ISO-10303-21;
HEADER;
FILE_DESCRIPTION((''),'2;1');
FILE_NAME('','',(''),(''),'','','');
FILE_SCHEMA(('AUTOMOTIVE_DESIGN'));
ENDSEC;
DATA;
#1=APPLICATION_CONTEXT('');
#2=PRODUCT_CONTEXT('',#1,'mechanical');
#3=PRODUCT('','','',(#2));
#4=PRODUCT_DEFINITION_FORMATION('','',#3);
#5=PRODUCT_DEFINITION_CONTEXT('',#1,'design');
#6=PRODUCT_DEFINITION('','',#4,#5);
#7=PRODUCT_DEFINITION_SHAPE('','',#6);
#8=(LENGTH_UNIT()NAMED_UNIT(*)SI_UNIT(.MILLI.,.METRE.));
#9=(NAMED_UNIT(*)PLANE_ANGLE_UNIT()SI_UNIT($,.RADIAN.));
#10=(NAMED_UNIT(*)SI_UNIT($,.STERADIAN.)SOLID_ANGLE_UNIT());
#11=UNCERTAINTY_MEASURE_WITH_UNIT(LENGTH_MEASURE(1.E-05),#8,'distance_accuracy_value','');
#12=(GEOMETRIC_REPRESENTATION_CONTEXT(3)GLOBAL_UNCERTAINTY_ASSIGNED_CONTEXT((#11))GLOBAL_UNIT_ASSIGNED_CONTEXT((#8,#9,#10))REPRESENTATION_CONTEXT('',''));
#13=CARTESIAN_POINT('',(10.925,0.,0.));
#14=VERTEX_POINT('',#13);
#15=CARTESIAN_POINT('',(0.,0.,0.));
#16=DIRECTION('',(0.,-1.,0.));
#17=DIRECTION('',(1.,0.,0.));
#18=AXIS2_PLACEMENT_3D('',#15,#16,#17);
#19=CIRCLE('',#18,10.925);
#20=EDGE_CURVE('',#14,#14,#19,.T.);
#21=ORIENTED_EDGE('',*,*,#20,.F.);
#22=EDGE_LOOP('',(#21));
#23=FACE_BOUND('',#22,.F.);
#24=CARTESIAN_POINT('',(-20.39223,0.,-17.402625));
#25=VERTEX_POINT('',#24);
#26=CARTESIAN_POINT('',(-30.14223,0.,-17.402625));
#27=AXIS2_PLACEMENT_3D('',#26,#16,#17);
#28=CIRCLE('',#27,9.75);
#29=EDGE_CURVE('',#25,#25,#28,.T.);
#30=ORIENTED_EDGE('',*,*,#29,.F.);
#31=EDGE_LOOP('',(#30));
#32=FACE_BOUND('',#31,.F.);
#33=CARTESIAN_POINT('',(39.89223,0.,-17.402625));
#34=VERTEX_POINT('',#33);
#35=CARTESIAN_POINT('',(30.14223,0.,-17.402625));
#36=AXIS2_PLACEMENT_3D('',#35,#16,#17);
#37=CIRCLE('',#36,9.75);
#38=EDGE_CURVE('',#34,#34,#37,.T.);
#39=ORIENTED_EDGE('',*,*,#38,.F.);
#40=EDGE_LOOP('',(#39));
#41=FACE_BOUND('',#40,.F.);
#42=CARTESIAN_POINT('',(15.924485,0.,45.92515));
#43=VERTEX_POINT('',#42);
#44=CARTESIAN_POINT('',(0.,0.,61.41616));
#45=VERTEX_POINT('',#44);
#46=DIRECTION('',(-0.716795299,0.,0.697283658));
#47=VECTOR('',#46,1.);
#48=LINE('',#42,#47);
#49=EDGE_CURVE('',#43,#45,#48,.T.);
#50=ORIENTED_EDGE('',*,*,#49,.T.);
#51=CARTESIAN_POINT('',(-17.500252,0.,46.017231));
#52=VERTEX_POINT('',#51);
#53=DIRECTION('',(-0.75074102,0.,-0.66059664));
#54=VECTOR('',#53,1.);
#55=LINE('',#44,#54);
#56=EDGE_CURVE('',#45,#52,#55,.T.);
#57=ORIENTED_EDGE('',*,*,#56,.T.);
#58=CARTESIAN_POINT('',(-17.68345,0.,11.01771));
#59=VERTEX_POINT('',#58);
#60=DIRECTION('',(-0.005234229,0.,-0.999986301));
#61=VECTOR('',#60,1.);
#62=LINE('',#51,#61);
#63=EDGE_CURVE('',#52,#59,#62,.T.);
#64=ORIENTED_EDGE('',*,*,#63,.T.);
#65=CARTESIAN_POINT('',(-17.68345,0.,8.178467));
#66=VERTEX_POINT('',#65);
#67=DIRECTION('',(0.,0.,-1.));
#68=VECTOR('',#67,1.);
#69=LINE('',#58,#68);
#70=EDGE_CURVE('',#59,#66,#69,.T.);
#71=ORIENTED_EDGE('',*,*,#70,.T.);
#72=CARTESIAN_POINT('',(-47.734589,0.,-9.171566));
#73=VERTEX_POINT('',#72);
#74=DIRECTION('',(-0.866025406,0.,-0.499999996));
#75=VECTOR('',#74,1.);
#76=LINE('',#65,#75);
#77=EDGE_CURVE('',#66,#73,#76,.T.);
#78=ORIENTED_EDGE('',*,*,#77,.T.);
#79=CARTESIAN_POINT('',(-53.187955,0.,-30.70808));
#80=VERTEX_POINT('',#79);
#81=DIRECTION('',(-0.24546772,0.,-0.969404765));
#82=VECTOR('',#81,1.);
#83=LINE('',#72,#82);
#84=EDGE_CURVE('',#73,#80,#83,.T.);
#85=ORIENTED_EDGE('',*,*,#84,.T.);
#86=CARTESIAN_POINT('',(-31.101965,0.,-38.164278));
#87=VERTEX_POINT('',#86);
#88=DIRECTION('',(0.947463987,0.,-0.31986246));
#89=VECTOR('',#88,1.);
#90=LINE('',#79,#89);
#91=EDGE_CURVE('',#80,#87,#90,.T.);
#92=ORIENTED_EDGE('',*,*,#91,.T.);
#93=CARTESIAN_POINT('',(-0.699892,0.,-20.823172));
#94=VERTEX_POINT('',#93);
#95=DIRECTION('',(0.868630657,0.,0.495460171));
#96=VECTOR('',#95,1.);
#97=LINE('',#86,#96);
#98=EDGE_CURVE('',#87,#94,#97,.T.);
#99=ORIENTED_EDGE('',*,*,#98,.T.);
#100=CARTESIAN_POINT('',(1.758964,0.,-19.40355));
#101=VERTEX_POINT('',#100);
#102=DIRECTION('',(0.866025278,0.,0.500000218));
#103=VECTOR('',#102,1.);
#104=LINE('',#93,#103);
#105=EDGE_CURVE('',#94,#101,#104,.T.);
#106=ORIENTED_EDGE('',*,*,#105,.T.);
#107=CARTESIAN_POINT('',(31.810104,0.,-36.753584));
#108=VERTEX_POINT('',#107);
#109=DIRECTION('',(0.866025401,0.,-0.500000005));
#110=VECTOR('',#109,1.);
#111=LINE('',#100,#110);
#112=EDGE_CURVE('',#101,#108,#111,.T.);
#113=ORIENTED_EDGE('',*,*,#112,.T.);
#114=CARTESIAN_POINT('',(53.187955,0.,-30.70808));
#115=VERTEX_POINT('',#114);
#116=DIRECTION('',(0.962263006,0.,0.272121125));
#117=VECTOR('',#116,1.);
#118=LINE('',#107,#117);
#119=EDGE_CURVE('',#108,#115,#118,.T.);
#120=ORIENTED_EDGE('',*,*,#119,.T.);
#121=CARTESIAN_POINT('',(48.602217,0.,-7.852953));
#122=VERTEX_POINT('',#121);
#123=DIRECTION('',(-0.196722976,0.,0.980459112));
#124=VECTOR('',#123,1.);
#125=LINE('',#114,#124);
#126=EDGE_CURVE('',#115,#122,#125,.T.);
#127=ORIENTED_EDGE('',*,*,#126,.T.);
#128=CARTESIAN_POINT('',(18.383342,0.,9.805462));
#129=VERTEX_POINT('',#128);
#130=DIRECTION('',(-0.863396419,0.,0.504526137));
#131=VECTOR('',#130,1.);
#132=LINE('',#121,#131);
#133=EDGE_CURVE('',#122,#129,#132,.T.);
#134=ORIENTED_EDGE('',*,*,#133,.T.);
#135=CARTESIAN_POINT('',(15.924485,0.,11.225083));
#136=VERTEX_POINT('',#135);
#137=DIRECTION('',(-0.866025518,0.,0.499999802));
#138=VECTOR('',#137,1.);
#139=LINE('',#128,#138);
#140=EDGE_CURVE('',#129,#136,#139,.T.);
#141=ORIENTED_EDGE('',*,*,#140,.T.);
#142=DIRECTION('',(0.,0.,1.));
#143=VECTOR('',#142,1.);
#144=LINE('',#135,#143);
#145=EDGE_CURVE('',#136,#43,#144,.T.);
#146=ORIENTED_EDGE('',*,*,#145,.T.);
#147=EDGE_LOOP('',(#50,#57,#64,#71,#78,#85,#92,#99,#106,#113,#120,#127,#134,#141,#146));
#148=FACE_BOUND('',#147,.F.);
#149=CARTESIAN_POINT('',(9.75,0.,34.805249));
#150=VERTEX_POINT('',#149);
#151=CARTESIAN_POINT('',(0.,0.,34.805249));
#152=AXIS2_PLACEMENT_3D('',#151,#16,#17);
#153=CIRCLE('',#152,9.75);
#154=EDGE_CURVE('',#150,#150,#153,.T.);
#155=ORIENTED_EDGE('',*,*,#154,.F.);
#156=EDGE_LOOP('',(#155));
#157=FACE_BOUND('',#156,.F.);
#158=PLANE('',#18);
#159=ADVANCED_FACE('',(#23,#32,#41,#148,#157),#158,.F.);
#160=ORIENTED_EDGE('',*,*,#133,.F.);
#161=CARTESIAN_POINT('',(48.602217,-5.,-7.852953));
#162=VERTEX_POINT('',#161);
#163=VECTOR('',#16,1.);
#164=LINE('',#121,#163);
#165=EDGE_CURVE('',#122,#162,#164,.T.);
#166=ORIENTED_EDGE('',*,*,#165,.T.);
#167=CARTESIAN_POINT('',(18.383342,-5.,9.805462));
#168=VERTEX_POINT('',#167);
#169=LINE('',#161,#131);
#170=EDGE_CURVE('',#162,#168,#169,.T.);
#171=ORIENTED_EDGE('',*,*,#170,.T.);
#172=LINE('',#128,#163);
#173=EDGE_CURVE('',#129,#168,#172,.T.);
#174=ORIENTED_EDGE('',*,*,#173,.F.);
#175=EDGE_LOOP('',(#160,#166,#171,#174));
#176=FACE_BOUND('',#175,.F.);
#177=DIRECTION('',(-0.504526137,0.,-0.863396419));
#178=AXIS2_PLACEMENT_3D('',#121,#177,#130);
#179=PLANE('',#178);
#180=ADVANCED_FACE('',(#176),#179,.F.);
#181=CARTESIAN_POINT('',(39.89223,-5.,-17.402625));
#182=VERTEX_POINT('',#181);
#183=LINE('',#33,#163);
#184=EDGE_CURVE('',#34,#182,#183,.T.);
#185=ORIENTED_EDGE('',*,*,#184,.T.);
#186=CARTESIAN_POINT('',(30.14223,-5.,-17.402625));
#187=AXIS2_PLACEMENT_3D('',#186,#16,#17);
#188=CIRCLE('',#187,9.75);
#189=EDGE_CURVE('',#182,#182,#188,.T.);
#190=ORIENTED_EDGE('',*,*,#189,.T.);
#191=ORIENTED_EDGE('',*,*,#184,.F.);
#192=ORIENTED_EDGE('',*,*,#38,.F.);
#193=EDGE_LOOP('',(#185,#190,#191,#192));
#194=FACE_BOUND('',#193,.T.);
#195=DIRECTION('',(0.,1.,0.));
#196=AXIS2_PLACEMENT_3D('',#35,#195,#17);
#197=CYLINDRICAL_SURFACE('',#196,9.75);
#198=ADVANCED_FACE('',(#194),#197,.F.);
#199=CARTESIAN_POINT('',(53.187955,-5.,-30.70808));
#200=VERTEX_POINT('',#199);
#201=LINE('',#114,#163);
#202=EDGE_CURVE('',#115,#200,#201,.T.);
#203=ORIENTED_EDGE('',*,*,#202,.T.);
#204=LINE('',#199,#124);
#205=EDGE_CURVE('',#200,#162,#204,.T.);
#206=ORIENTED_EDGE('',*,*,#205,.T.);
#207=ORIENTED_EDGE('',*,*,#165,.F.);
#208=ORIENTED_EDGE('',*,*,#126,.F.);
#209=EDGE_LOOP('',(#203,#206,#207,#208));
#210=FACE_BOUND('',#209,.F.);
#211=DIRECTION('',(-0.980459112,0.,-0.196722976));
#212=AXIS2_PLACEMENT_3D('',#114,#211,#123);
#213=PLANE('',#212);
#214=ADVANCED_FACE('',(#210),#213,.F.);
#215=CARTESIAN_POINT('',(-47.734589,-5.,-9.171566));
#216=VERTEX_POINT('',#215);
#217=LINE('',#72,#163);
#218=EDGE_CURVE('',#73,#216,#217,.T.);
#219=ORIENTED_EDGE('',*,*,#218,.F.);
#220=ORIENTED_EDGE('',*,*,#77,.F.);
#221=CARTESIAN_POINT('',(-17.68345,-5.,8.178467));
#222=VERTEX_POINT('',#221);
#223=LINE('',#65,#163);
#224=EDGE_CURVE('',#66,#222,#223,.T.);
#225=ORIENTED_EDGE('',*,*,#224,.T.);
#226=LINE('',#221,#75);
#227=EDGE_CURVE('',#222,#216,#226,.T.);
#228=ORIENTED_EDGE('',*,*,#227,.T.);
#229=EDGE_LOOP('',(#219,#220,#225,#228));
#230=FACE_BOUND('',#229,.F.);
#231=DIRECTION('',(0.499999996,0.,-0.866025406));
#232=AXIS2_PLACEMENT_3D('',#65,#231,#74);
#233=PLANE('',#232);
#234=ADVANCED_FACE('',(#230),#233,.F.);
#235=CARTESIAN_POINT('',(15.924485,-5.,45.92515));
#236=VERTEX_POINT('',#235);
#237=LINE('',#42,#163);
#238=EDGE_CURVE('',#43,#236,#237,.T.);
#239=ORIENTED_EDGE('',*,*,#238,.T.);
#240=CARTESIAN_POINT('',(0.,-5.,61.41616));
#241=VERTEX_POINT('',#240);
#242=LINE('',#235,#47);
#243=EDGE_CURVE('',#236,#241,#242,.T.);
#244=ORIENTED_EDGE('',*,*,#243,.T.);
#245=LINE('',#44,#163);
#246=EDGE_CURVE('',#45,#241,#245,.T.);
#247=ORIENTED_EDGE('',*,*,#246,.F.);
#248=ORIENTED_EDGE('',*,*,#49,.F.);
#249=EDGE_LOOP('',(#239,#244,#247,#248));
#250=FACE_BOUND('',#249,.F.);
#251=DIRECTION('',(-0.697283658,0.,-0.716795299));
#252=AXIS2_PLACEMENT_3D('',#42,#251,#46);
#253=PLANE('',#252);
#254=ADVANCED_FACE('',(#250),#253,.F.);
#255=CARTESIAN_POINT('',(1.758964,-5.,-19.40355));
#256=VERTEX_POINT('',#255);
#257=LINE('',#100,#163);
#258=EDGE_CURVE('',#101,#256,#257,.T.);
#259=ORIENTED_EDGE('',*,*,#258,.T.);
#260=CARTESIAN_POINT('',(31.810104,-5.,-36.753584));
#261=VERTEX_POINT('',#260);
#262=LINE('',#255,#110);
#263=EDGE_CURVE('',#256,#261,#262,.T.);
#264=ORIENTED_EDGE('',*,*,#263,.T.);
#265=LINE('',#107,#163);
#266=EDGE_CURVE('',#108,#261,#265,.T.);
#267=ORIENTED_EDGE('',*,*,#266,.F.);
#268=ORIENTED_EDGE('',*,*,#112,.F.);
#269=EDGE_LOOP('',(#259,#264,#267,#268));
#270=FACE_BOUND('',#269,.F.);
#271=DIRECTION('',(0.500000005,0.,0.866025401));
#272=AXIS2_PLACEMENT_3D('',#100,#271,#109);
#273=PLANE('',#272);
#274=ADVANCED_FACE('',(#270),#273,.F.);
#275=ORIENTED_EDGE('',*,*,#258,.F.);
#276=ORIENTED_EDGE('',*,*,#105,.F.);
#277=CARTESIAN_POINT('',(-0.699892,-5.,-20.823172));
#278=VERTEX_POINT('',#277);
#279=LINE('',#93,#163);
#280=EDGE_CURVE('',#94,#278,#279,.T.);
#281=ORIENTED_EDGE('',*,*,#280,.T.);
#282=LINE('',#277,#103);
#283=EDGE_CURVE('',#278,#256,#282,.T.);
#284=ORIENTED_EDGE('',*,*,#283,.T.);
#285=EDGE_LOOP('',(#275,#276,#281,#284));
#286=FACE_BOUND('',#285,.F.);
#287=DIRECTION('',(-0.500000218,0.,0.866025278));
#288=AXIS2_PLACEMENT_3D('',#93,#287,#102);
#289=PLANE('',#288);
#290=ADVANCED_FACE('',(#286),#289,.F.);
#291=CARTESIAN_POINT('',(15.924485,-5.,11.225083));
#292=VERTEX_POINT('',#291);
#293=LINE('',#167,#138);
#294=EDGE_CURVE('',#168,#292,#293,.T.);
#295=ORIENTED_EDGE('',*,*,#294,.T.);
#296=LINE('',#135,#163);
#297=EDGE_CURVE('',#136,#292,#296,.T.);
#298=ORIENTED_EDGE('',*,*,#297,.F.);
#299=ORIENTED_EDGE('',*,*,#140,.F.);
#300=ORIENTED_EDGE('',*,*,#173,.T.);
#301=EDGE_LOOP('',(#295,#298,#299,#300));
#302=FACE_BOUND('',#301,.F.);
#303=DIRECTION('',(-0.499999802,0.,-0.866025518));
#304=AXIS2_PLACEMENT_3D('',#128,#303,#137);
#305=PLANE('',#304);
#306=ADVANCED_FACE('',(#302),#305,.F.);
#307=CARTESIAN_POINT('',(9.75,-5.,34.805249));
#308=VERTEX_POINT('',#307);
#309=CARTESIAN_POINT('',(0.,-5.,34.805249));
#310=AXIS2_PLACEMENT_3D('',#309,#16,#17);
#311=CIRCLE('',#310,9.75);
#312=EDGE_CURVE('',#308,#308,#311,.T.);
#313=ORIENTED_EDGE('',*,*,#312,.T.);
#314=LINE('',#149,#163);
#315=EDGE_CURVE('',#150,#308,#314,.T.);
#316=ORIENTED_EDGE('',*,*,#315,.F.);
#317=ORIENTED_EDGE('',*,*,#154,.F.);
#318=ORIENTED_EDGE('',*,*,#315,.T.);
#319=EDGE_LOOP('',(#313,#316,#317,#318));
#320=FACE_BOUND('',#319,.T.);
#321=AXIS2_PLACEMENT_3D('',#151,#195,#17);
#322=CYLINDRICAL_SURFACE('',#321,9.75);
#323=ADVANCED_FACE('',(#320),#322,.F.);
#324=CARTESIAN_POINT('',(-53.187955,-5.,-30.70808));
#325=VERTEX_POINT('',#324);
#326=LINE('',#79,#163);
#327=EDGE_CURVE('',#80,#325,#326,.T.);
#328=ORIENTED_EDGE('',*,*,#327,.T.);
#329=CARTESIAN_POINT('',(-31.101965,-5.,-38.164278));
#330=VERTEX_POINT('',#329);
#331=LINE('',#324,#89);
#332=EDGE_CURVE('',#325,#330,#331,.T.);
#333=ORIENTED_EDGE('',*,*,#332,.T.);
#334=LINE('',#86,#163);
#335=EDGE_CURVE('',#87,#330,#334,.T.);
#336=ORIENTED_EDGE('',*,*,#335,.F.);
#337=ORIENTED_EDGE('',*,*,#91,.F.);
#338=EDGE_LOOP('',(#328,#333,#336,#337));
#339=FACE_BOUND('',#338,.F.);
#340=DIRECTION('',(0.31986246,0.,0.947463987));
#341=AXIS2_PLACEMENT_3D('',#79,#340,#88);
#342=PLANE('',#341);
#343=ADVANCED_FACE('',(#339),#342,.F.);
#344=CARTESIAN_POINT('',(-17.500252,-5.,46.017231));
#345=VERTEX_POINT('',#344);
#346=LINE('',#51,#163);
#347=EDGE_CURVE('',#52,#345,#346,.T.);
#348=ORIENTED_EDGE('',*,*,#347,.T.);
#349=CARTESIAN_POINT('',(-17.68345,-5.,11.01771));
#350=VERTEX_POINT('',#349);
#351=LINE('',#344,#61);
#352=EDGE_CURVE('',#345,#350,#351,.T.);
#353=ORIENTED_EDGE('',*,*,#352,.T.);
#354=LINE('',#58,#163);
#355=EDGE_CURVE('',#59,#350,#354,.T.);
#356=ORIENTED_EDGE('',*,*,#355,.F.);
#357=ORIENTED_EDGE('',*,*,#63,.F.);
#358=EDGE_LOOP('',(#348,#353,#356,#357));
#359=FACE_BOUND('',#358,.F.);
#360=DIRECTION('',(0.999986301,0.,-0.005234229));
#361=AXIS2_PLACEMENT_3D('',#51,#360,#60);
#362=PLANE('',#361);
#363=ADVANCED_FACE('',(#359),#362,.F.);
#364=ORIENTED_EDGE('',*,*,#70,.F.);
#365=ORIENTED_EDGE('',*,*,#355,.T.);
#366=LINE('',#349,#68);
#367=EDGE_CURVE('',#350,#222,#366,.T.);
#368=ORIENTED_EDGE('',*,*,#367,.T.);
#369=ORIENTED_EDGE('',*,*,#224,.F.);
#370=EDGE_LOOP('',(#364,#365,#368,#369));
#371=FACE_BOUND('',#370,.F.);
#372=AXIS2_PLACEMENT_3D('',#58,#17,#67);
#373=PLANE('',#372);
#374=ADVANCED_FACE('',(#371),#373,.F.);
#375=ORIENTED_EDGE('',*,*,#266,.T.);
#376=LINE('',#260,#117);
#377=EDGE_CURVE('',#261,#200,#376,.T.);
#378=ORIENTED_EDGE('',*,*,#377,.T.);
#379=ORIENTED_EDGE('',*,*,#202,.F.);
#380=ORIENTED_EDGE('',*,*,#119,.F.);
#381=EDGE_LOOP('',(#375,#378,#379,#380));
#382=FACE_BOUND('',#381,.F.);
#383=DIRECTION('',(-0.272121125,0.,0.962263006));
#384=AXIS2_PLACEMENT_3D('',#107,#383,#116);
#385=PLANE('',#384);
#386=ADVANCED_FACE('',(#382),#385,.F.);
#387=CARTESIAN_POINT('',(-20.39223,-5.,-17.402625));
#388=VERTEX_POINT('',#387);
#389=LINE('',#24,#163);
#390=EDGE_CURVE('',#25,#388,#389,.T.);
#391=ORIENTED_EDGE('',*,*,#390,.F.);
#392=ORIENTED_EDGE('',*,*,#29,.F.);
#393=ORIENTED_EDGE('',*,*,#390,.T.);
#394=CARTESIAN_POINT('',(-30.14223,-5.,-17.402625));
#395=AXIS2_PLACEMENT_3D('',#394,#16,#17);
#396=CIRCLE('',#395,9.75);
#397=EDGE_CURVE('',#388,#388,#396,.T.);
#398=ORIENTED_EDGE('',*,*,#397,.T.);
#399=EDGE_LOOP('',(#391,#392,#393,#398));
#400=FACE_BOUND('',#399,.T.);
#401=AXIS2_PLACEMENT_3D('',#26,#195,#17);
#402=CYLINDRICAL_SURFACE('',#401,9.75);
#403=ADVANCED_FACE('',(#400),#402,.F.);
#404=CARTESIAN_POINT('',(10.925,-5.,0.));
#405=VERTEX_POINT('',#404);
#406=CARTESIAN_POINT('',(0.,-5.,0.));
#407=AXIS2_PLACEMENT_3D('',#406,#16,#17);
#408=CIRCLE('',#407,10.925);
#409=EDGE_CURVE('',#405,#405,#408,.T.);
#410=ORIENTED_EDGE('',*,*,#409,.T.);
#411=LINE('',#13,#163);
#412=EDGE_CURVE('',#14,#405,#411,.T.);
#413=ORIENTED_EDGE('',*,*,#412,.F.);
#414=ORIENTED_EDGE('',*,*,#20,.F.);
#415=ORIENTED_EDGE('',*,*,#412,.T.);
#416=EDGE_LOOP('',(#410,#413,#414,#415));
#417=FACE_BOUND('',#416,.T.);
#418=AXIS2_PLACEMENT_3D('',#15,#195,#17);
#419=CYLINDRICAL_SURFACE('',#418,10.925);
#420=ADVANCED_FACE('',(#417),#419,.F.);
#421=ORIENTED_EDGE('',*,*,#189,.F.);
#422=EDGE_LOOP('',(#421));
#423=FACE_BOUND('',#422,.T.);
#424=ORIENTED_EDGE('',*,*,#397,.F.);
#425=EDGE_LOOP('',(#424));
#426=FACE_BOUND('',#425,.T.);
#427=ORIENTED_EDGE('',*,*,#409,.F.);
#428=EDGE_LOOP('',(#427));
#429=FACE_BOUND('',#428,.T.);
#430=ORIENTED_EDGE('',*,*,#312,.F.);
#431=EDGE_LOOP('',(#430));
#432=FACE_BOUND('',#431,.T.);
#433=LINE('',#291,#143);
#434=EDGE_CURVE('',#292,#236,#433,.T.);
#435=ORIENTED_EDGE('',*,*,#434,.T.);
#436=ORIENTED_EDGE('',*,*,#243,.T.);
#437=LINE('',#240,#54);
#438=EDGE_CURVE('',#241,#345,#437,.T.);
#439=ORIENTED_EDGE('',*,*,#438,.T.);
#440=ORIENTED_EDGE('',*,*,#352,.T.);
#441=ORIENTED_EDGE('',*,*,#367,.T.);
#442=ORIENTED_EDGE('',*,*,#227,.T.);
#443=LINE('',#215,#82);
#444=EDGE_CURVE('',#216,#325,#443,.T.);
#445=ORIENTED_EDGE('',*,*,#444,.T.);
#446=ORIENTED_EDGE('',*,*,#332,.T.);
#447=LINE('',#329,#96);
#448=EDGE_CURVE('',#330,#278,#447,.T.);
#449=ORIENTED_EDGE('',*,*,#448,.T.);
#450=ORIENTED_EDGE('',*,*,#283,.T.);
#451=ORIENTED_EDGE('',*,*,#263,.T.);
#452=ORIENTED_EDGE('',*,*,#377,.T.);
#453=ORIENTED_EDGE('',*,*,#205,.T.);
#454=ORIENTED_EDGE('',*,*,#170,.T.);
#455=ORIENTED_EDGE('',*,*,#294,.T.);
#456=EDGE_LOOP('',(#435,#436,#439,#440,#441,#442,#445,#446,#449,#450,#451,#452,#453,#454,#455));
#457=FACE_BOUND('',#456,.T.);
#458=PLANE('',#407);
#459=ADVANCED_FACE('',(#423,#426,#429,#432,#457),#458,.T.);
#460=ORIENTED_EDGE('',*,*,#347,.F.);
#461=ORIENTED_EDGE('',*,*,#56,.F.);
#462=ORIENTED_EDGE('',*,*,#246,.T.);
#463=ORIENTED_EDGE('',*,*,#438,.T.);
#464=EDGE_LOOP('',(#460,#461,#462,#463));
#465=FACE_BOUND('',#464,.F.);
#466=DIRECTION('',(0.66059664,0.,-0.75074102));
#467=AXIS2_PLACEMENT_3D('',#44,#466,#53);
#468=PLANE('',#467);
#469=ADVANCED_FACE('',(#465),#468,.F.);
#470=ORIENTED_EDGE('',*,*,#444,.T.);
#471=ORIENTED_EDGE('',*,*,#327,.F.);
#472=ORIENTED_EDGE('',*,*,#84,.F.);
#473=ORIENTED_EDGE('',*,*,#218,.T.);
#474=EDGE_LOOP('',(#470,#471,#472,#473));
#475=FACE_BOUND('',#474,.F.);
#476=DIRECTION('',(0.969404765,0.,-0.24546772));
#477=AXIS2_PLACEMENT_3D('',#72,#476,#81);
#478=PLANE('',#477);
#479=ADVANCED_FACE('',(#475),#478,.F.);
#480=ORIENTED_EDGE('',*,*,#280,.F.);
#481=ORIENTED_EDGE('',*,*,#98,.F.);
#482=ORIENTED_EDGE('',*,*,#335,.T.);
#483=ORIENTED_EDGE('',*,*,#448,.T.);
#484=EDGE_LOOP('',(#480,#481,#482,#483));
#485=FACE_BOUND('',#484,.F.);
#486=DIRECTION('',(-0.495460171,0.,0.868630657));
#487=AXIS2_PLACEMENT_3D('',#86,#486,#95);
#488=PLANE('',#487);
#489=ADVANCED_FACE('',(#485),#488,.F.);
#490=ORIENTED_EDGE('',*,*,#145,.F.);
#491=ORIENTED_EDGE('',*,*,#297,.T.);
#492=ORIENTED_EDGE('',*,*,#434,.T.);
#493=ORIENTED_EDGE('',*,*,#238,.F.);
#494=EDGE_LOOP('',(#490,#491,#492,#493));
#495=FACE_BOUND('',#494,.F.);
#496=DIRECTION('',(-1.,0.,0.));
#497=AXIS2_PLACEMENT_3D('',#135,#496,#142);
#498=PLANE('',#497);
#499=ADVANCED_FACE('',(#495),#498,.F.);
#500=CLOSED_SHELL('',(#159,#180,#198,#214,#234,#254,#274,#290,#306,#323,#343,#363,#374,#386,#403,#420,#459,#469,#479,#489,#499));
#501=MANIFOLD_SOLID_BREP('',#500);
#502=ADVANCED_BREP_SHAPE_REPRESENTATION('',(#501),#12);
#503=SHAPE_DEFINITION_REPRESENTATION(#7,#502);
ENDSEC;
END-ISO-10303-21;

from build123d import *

# Parameters (mm, degrees)
F0_R     = 9.75
F0_R_2   = 10.925
F1_DEPTH = 5


with BuildPart() as f1:
    # F0 (on Front) → F1 (new body)
    with BuildSketch(Plane.XZ):
        Polygon((-17.500252, 46.017231), (-17.68345, 11.01771), (-17.68345, 8.178467), (-47.734589, -9.171566), (-53.187955, -30.70808), (-31.101965, -38.164278), (-0.699892, -20.823172), (1.758964, -19.40355), (31.810104, -36.753584), (53.187955, -30.70808), (48.602217, -7.852953), (18.383342, 9.805462), (15.924485, 11.225083), (15.924485, 45.92515), (0, 61.41616), align=None)
        with Locations((-30.14223, -17.402625)):
            Circle(F0_R, mode=Mode.SUBTRACT)
        with Locations((30.14223, -17.402625)):
            Circle(F0_R, mode=Mode.SUBTRACT)
        Circle(F0_R_2, mode=Mode.SUBTRACT)
        with Locations((0, 34.805249)):
            Circle(F0_R, mode=Mode.SUBTRACT)
    extrude(amount=F1_DEPTH)


solid = f1.part
